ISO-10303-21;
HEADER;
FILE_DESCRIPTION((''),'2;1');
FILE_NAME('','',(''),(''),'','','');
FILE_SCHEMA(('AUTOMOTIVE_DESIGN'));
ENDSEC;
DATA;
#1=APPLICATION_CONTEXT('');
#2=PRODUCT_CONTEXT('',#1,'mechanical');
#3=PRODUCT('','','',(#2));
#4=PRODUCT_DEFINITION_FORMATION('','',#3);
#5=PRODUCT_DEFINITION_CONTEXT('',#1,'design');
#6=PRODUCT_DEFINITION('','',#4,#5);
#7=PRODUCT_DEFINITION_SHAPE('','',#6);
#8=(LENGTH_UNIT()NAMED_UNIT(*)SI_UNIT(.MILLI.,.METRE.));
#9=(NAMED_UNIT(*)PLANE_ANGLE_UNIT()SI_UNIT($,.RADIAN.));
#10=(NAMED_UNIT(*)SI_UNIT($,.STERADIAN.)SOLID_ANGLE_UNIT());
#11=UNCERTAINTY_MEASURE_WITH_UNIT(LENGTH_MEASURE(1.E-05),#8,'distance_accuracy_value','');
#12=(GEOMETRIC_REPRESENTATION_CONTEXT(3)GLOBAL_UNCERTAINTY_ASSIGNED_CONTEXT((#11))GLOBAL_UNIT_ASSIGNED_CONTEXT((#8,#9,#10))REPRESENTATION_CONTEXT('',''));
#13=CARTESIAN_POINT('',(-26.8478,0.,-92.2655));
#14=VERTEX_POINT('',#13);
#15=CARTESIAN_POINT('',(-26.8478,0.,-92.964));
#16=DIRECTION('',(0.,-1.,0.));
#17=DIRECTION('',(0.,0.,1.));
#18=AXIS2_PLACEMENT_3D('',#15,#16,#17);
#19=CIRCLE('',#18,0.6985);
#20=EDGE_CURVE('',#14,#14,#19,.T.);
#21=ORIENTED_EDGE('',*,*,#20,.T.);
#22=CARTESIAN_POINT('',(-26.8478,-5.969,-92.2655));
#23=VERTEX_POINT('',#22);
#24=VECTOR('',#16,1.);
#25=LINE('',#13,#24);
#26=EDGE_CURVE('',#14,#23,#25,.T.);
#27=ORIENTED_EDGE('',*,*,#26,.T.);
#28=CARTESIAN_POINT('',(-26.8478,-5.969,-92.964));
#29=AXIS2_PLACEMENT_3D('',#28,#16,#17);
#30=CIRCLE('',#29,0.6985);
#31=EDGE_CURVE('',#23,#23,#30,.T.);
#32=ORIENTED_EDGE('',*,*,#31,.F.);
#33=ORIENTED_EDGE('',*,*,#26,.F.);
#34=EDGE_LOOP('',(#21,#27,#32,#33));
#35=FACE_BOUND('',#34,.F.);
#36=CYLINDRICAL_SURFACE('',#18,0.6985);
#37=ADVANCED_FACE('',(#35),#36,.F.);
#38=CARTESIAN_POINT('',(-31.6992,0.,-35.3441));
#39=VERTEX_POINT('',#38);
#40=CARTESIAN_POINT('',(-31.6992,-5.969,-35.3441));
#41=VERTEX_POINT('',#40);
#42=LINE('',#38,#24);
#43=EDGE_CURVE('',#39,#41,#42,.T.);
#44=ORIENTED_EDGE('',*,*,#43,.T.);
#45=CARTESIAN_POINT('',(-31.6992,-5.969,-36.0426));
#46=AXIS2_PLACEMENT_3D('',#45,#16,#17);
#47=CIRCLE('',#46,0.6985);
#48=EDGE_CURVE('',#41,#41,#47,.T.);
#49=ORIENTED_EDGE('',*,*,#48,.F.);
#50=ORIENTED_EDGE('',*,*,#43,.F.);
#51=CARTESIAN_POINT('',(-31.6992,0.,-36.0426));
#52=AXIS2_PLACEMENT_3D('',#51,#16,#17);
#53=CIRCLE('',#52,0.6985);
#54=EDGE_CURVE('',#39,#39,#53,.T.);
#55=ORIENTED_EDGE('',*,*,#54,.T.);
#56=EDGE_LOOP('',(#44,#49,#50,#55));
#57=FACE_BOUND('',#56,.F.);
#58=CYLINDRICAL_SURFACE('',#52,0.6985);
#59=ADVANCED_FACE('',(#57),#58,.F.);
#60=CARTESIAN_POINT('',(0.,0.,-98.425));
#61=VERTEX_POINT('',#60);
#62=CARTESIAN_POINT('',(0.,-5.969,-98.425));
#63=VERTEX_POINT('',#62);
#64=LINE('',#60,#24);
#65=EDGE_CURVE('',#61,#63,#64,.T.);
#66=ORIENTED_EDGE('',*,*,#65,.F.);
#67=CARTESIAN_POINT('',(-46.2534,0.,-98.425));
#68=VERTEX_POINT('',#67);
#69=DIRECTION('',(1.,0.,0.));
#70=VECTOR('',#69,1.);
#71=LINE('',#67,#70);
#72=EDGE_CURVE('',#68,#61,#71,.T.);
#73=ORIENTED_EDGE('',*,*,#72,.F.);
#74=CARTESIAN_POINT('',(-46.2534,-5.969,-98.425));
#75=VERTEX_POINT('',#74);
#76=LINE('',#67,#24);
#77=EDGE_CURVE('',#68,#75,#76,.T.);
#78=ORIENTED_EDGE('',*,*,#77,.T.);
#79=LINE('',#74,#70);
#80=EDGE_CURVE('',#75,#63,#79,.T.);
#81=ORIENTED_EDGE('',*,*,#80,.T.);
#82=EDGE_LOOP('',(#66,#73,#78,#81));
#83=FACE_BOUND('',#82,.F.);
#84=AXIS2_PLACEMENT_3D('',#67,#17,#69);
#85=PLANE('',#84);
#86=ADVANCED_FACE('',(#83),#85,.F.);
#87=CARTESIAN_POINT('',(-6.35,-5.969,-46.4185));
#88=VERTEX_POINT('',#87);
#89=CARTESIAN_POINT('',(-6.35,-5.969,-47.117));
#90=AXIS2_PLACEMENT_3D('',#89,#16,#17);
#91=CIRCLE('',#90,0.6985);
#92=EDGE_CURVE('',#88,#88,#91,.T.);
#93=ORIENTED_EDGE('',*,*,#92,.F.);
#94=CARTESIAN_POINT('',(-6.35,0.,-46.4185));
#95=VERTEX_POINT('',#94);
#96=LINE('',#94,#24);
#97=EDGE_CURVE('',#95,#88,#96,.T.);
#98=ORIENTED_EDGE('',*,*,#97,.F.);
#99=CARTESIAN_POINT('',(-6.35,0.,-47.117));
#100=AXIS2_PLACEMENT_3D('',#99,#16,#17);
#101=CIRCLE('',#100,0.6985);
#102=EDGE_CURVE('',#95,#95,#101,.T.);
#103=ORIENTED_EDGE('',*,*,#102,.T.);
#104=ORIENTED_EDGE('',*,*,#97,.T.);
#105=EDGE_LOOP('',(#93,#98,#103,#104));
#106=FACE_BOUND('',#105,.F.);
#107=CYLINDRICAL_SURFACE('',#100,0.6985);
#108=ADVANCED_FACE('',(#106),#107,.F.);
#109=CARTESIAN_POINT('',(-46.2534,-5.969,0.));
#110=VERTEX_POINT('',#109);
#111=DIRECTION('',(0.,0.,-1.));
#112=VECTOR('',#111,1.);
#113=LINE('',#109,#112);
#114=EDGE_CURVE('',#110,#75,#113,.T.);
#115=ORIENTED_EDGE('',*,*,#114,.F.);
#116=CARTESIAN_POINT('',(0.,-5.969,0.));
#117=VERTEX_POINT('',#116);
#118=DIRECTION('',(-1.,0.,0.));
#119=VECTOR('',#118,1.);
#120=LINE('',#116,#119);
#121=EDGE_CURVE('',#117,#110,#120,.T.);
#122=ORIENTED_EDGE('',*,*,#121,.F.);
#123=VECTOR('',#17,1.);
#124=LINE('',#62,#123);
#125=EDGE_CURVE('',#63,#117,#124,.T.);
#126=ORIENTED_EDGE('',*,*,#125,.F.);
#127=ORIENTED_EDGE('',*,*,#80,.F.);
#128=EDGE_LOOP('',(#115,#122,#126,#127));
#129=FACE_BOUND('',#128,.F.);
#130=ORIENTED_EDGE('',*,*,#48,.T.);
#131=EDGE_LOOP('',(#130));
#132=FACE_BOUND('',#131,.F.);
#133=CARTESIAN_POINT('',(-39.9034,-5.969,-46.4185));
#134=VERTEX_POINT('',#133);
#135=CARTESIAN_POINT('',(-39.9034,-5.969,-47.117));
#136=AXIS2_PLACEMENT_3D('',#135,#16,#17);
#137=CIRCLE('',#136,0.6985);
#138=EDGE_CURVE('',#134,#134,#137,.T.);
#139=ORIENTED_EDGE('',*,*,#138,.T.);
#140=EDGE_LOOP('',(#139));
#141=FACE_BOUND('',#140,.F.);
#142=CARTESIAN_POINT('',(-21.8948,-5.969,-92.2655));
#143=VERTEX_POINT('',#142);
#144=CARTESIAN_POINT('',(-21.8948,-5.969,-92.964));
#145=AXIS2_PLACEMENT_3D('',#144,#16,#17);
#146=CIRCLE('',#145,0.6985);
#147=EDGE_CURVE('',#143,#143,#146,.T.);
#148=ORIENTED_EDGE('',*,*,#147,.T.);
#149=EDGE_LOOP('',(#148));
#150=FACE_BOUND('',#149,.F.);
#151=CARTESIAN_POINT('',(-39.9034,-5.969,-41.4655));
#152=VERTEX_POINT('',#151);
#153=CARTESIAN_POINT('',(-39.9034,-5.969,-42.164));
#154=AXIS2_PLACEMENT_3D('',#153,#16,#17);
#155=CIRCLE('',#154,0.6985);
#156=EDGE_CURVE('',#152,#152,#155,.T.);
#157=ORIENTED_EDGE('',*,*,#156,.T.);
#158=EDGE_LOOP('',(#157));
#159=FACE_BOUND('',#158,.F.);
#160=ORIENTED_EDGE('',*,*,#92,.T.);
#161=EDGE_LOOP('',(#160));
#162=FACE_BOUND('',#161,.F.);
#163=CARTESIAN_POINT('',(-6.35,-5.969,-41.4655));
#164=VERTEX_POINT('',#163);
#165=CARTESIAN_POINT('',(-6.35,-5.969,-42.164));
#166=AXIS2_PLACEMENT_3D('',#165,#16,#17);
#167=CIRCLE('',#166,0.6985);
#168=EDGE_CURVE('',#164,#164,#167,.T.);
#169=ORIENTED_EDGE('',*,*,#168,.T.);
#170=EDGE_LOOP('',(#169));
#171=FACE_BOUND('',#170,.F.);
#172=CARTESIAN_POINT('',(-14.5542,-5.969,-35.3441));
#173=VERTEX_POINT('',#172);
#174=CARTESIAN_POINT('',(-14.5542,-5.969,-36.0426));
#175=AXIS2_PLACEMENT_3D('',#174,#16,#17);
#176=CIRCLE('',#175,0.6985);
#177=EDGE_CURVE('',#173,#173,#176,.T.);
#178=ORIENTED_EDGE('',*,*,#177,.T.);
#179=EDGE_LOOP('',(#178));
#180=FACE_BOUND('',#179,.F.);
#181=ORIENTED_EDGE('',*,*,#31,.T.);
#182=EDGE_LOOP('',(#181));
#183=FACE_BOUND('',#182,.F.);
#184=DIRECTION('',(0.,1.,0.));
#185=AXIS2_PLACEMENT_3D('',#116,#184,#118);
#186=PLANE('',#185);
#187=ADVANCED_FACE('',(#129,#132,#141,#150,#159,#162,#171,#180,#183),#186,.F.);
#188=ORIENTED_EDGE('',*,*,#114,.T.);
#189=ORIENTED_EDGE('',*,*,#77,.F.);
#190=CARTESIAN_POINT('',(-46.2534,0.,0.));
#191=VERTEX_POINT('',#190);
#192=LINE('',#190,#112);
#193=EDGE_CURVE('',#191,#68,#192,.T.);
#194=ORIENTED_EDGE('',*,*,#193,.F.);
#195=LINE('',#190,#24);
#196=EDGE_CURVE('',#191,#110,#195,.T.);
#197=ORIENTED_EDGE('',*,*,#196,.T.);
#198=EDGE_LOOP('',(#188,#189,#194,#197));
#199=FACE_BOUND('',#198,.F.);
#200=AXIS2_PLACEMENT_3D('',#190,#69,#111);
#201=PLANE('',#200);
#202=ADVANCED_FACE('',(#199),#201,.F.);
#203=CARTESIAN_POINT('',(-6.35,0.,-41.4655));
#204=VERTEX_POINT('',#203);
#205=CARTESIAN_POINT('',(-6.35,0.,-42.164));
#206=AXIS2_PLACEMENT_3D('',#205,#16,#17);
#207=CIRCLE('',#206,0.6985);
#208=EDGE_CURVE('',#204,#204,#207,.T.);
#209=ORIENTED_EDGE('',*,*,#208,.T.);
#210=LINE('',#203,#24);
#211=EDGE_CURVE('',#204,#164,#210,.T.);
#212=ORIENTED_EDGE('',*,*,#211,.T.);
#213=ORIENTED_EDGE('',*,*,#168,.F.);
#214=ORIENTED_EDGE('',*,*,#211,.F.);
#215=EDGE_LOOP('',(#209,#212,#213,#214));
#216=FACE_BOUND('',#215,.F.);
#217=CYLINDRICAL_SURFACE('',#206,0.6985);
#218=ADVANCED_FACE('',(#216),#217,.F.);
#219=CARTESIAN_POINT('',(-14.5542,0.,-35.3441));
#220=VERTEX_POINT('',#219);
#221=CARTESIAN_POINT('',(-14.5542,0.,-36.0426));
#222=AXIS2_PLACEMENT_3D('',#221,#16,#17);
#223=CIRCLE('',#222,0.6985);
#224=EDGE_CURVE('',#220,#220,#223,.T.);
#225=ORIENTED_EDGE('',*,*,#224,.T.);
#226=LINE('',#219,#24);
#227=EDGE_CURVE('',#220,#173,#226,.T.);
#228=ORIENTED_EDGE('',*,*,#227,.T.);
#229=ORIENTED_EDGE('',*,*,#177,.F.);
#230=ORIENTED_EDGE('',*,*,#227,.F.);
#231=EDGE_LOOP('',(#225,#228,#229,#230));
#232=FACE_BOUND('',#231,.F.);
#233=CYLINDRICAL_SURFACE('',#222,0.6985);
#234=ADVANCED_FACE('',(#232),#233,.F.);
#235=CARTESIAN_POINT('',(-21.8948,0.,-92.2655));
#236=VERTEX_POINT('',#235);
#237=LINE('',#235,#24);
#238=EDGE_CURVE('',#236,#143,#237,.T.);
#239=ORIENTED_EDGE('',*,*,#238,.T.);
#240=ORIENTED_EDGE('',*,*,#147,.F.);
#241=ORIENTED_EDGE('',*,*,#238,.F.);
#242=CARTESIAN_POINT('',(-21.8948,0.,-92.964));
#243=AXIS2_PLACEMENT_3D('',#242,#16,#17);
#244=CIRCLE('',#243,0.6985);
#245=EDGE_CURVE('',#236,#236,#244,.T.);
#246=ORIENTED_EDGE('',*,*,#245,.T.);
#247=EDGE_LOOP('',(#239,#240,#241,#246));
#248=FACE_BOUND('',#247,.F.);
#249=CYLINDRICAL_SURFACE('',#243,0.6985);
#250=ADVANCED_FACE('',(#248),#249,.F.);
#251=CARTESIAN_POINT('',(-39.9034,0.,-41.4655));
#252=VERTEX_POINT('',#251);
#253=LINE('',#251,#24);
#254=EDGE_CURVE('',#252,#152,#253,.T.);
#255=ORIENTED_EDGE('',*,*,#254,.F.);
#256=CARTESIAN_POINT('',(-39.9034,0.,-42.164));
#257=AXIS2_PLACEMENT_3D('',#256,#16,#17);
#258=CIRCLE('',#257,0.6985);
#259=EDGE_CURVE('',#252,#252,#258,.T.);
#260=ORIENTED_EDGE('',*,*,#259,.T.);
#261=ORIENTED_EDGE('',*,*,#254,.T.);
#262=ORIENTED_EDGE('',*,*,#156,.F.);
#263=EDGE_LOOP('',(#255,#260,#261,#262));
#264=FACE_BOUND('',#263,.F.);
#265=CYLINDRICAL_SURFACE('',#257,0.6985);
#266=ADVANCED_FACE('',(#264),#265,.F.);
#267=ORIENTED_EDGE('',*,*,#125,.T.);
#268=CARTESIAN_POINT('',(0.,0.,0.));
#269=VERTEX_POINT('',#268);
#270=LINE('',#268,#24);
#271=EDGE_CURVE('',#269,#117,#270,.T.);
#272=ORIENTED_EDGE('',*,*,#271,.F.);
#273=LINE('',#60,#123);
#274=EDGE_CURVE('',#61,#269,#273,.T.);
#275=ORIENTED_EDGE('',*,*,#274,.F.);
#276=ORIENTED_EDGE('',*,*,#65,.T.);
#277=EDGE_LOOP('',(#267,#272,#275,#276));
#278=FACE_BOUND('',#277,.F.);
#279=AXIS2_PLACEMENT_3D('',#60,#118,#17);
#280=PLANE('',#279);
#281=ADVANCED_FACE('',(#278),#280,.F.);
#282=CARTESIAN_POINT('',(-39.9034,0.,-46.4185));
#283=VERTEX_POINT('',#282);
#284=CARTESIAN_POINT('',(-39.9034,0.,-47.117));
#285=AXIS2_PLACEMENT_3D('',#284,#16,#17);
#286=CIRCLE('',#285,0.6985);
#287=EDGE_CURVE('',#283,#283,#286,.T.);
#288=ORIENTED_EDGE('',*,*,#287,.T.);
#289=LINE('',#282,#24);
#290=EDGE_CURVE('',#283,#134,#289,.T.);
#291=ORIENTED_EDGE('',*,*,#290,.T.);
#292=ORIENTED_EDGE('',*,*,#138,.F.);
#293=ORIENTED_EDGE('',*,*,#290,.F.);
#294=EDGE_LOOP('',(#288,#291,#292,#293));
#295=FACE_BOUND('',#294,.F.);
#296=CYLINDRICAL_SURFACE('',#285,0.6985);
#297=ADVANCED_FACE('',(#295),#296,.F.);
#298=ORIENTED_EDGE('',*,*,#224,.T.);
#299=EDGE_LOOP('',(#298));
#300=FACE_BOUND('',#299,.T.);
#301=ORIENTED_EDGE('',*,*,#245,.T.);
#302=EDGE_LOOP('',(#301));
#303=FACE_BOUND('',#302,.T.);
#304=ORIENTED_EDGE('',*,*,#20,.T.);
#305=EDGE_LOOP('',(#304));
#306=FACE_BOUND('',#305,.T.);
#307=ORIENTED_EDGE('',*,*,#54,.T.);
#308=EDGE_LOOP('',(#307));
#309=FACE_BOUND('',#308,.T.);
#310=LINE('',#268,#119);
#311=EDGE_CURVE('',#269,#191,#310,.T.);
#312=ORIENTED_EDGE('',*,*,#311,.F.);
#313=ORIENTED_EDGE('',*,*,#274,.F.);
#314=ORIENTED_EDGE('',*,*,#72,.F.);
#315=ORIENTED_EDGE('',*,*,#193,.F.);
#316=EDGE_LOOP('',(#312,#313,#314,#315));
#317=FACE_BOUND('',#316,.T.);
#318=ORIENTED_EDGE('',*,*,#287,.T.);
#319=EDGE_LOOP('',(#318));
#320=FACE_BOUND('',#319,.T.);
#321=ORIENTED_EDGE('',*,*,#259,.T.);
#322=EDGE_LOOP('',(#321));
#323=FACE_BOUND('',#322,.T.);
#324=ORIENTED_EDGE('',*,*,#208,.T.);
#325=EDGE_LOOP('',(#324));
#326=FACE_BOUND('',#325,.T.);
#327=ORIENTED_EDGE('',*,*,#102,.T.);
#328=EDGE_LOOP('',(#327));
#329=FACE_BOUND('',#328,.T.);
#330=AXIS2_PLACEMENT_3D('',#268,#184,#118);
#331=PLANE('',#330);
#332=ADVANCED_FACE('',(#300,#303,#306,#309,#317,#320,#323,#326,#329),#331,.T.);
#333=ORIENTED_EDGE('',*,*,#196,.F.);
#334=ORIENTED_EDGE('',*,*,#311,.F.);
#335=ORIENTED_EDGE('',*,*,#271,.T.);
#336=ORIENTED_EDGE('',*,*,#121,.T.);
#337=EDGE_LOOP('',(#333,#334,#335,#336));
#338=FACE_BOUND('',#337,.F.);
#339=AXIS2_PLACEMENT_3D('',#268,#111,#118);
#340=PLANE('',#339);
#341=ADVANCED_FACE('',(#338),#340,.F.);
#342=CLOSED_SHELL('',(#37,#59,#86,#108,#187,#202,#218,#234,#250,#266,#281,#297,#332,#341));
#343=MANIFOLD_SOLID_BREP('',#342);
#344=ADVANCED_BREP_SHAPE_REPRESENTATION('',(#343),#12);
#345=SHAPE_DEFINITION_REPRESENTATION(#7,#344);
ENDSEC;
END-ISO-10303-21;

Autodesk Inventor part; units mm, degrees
ref_plane "YZ Plane" through (0, 0, 0) normal (1, 0, 0) x (0, 1, 0)
ref_plane "XZ Plane" through (0, 0, 0) normal (0, 1, 0) x (-1, 0, 0)
ref_plane "XY Plane" through (0, 0, 0) normal (0, 0, 1) x (1, 0, 0)
sketch "Sketch1" plane through (0, 0, 0) normal (0, 1, 0) x (-1, 0, 0)
  line L0 (0, 0) -> (46.2534, 0)
  line L1 (46.2534, 0) -> (46.2534, -98.425)
  line L2 (46.2534, -98.425) -> (0, -98.425)
  line L3 (0, -98.425) -> (0, 0)
  point P0 (31.6992, -36.0426)
  point P1 (14.5542, -36.0426)
  point P2 (39.9034, -42.164)
  point P3 (6.35, -42.164)
  point P4 (39.9034, -47.117)
  point P5 (6.35, -47.117)
  point P6 (26.8478, -92.964)
  point P7 (21.8948, -92.964)
  dimension "d0" = 46.2534
  dimension "d1" = 98.425
  dimension "d2" = 14.5542
  dimension "d3" = 36.0426
  dimension "d4" = 17.145
  dimension "d5" = 36.0426
  dimension "d6" = 6.35
  dimension "d7" = 6.35
  dimension "d8" = 42.164
  dimension "d9" = 42.164
  dimension "d10" = 4.953
  dimension "d11" = 6.35
  dimension "d12" = 6.35
  dimension "d13" = 4.953
  dimension "d14" = 5.461
  dimension "d15" = 19.4056
  dimension "d16" = 4.953
  dimension "d17" = 5.461
extrude "Extrusion1" add sketch "Sketch1" against normal blind 5.969
hole "Hole1" at (-31.6992, 0, -36.0426) at (-14.5542, 0, -36.0426) at (-39.9034, 0, -42.164) at (-6.35, 0, -42.164) at (-39.9034, 0, -47.117) at (-6.35, 0, -47.117) at (-26.8478, 0, -92.964) at (-21.8948, 0, -92.964) direction (0, -1, 0) diameter 1.397 end through all
properties part number "Mousetrap_Base" material "Wood (Birch)"
